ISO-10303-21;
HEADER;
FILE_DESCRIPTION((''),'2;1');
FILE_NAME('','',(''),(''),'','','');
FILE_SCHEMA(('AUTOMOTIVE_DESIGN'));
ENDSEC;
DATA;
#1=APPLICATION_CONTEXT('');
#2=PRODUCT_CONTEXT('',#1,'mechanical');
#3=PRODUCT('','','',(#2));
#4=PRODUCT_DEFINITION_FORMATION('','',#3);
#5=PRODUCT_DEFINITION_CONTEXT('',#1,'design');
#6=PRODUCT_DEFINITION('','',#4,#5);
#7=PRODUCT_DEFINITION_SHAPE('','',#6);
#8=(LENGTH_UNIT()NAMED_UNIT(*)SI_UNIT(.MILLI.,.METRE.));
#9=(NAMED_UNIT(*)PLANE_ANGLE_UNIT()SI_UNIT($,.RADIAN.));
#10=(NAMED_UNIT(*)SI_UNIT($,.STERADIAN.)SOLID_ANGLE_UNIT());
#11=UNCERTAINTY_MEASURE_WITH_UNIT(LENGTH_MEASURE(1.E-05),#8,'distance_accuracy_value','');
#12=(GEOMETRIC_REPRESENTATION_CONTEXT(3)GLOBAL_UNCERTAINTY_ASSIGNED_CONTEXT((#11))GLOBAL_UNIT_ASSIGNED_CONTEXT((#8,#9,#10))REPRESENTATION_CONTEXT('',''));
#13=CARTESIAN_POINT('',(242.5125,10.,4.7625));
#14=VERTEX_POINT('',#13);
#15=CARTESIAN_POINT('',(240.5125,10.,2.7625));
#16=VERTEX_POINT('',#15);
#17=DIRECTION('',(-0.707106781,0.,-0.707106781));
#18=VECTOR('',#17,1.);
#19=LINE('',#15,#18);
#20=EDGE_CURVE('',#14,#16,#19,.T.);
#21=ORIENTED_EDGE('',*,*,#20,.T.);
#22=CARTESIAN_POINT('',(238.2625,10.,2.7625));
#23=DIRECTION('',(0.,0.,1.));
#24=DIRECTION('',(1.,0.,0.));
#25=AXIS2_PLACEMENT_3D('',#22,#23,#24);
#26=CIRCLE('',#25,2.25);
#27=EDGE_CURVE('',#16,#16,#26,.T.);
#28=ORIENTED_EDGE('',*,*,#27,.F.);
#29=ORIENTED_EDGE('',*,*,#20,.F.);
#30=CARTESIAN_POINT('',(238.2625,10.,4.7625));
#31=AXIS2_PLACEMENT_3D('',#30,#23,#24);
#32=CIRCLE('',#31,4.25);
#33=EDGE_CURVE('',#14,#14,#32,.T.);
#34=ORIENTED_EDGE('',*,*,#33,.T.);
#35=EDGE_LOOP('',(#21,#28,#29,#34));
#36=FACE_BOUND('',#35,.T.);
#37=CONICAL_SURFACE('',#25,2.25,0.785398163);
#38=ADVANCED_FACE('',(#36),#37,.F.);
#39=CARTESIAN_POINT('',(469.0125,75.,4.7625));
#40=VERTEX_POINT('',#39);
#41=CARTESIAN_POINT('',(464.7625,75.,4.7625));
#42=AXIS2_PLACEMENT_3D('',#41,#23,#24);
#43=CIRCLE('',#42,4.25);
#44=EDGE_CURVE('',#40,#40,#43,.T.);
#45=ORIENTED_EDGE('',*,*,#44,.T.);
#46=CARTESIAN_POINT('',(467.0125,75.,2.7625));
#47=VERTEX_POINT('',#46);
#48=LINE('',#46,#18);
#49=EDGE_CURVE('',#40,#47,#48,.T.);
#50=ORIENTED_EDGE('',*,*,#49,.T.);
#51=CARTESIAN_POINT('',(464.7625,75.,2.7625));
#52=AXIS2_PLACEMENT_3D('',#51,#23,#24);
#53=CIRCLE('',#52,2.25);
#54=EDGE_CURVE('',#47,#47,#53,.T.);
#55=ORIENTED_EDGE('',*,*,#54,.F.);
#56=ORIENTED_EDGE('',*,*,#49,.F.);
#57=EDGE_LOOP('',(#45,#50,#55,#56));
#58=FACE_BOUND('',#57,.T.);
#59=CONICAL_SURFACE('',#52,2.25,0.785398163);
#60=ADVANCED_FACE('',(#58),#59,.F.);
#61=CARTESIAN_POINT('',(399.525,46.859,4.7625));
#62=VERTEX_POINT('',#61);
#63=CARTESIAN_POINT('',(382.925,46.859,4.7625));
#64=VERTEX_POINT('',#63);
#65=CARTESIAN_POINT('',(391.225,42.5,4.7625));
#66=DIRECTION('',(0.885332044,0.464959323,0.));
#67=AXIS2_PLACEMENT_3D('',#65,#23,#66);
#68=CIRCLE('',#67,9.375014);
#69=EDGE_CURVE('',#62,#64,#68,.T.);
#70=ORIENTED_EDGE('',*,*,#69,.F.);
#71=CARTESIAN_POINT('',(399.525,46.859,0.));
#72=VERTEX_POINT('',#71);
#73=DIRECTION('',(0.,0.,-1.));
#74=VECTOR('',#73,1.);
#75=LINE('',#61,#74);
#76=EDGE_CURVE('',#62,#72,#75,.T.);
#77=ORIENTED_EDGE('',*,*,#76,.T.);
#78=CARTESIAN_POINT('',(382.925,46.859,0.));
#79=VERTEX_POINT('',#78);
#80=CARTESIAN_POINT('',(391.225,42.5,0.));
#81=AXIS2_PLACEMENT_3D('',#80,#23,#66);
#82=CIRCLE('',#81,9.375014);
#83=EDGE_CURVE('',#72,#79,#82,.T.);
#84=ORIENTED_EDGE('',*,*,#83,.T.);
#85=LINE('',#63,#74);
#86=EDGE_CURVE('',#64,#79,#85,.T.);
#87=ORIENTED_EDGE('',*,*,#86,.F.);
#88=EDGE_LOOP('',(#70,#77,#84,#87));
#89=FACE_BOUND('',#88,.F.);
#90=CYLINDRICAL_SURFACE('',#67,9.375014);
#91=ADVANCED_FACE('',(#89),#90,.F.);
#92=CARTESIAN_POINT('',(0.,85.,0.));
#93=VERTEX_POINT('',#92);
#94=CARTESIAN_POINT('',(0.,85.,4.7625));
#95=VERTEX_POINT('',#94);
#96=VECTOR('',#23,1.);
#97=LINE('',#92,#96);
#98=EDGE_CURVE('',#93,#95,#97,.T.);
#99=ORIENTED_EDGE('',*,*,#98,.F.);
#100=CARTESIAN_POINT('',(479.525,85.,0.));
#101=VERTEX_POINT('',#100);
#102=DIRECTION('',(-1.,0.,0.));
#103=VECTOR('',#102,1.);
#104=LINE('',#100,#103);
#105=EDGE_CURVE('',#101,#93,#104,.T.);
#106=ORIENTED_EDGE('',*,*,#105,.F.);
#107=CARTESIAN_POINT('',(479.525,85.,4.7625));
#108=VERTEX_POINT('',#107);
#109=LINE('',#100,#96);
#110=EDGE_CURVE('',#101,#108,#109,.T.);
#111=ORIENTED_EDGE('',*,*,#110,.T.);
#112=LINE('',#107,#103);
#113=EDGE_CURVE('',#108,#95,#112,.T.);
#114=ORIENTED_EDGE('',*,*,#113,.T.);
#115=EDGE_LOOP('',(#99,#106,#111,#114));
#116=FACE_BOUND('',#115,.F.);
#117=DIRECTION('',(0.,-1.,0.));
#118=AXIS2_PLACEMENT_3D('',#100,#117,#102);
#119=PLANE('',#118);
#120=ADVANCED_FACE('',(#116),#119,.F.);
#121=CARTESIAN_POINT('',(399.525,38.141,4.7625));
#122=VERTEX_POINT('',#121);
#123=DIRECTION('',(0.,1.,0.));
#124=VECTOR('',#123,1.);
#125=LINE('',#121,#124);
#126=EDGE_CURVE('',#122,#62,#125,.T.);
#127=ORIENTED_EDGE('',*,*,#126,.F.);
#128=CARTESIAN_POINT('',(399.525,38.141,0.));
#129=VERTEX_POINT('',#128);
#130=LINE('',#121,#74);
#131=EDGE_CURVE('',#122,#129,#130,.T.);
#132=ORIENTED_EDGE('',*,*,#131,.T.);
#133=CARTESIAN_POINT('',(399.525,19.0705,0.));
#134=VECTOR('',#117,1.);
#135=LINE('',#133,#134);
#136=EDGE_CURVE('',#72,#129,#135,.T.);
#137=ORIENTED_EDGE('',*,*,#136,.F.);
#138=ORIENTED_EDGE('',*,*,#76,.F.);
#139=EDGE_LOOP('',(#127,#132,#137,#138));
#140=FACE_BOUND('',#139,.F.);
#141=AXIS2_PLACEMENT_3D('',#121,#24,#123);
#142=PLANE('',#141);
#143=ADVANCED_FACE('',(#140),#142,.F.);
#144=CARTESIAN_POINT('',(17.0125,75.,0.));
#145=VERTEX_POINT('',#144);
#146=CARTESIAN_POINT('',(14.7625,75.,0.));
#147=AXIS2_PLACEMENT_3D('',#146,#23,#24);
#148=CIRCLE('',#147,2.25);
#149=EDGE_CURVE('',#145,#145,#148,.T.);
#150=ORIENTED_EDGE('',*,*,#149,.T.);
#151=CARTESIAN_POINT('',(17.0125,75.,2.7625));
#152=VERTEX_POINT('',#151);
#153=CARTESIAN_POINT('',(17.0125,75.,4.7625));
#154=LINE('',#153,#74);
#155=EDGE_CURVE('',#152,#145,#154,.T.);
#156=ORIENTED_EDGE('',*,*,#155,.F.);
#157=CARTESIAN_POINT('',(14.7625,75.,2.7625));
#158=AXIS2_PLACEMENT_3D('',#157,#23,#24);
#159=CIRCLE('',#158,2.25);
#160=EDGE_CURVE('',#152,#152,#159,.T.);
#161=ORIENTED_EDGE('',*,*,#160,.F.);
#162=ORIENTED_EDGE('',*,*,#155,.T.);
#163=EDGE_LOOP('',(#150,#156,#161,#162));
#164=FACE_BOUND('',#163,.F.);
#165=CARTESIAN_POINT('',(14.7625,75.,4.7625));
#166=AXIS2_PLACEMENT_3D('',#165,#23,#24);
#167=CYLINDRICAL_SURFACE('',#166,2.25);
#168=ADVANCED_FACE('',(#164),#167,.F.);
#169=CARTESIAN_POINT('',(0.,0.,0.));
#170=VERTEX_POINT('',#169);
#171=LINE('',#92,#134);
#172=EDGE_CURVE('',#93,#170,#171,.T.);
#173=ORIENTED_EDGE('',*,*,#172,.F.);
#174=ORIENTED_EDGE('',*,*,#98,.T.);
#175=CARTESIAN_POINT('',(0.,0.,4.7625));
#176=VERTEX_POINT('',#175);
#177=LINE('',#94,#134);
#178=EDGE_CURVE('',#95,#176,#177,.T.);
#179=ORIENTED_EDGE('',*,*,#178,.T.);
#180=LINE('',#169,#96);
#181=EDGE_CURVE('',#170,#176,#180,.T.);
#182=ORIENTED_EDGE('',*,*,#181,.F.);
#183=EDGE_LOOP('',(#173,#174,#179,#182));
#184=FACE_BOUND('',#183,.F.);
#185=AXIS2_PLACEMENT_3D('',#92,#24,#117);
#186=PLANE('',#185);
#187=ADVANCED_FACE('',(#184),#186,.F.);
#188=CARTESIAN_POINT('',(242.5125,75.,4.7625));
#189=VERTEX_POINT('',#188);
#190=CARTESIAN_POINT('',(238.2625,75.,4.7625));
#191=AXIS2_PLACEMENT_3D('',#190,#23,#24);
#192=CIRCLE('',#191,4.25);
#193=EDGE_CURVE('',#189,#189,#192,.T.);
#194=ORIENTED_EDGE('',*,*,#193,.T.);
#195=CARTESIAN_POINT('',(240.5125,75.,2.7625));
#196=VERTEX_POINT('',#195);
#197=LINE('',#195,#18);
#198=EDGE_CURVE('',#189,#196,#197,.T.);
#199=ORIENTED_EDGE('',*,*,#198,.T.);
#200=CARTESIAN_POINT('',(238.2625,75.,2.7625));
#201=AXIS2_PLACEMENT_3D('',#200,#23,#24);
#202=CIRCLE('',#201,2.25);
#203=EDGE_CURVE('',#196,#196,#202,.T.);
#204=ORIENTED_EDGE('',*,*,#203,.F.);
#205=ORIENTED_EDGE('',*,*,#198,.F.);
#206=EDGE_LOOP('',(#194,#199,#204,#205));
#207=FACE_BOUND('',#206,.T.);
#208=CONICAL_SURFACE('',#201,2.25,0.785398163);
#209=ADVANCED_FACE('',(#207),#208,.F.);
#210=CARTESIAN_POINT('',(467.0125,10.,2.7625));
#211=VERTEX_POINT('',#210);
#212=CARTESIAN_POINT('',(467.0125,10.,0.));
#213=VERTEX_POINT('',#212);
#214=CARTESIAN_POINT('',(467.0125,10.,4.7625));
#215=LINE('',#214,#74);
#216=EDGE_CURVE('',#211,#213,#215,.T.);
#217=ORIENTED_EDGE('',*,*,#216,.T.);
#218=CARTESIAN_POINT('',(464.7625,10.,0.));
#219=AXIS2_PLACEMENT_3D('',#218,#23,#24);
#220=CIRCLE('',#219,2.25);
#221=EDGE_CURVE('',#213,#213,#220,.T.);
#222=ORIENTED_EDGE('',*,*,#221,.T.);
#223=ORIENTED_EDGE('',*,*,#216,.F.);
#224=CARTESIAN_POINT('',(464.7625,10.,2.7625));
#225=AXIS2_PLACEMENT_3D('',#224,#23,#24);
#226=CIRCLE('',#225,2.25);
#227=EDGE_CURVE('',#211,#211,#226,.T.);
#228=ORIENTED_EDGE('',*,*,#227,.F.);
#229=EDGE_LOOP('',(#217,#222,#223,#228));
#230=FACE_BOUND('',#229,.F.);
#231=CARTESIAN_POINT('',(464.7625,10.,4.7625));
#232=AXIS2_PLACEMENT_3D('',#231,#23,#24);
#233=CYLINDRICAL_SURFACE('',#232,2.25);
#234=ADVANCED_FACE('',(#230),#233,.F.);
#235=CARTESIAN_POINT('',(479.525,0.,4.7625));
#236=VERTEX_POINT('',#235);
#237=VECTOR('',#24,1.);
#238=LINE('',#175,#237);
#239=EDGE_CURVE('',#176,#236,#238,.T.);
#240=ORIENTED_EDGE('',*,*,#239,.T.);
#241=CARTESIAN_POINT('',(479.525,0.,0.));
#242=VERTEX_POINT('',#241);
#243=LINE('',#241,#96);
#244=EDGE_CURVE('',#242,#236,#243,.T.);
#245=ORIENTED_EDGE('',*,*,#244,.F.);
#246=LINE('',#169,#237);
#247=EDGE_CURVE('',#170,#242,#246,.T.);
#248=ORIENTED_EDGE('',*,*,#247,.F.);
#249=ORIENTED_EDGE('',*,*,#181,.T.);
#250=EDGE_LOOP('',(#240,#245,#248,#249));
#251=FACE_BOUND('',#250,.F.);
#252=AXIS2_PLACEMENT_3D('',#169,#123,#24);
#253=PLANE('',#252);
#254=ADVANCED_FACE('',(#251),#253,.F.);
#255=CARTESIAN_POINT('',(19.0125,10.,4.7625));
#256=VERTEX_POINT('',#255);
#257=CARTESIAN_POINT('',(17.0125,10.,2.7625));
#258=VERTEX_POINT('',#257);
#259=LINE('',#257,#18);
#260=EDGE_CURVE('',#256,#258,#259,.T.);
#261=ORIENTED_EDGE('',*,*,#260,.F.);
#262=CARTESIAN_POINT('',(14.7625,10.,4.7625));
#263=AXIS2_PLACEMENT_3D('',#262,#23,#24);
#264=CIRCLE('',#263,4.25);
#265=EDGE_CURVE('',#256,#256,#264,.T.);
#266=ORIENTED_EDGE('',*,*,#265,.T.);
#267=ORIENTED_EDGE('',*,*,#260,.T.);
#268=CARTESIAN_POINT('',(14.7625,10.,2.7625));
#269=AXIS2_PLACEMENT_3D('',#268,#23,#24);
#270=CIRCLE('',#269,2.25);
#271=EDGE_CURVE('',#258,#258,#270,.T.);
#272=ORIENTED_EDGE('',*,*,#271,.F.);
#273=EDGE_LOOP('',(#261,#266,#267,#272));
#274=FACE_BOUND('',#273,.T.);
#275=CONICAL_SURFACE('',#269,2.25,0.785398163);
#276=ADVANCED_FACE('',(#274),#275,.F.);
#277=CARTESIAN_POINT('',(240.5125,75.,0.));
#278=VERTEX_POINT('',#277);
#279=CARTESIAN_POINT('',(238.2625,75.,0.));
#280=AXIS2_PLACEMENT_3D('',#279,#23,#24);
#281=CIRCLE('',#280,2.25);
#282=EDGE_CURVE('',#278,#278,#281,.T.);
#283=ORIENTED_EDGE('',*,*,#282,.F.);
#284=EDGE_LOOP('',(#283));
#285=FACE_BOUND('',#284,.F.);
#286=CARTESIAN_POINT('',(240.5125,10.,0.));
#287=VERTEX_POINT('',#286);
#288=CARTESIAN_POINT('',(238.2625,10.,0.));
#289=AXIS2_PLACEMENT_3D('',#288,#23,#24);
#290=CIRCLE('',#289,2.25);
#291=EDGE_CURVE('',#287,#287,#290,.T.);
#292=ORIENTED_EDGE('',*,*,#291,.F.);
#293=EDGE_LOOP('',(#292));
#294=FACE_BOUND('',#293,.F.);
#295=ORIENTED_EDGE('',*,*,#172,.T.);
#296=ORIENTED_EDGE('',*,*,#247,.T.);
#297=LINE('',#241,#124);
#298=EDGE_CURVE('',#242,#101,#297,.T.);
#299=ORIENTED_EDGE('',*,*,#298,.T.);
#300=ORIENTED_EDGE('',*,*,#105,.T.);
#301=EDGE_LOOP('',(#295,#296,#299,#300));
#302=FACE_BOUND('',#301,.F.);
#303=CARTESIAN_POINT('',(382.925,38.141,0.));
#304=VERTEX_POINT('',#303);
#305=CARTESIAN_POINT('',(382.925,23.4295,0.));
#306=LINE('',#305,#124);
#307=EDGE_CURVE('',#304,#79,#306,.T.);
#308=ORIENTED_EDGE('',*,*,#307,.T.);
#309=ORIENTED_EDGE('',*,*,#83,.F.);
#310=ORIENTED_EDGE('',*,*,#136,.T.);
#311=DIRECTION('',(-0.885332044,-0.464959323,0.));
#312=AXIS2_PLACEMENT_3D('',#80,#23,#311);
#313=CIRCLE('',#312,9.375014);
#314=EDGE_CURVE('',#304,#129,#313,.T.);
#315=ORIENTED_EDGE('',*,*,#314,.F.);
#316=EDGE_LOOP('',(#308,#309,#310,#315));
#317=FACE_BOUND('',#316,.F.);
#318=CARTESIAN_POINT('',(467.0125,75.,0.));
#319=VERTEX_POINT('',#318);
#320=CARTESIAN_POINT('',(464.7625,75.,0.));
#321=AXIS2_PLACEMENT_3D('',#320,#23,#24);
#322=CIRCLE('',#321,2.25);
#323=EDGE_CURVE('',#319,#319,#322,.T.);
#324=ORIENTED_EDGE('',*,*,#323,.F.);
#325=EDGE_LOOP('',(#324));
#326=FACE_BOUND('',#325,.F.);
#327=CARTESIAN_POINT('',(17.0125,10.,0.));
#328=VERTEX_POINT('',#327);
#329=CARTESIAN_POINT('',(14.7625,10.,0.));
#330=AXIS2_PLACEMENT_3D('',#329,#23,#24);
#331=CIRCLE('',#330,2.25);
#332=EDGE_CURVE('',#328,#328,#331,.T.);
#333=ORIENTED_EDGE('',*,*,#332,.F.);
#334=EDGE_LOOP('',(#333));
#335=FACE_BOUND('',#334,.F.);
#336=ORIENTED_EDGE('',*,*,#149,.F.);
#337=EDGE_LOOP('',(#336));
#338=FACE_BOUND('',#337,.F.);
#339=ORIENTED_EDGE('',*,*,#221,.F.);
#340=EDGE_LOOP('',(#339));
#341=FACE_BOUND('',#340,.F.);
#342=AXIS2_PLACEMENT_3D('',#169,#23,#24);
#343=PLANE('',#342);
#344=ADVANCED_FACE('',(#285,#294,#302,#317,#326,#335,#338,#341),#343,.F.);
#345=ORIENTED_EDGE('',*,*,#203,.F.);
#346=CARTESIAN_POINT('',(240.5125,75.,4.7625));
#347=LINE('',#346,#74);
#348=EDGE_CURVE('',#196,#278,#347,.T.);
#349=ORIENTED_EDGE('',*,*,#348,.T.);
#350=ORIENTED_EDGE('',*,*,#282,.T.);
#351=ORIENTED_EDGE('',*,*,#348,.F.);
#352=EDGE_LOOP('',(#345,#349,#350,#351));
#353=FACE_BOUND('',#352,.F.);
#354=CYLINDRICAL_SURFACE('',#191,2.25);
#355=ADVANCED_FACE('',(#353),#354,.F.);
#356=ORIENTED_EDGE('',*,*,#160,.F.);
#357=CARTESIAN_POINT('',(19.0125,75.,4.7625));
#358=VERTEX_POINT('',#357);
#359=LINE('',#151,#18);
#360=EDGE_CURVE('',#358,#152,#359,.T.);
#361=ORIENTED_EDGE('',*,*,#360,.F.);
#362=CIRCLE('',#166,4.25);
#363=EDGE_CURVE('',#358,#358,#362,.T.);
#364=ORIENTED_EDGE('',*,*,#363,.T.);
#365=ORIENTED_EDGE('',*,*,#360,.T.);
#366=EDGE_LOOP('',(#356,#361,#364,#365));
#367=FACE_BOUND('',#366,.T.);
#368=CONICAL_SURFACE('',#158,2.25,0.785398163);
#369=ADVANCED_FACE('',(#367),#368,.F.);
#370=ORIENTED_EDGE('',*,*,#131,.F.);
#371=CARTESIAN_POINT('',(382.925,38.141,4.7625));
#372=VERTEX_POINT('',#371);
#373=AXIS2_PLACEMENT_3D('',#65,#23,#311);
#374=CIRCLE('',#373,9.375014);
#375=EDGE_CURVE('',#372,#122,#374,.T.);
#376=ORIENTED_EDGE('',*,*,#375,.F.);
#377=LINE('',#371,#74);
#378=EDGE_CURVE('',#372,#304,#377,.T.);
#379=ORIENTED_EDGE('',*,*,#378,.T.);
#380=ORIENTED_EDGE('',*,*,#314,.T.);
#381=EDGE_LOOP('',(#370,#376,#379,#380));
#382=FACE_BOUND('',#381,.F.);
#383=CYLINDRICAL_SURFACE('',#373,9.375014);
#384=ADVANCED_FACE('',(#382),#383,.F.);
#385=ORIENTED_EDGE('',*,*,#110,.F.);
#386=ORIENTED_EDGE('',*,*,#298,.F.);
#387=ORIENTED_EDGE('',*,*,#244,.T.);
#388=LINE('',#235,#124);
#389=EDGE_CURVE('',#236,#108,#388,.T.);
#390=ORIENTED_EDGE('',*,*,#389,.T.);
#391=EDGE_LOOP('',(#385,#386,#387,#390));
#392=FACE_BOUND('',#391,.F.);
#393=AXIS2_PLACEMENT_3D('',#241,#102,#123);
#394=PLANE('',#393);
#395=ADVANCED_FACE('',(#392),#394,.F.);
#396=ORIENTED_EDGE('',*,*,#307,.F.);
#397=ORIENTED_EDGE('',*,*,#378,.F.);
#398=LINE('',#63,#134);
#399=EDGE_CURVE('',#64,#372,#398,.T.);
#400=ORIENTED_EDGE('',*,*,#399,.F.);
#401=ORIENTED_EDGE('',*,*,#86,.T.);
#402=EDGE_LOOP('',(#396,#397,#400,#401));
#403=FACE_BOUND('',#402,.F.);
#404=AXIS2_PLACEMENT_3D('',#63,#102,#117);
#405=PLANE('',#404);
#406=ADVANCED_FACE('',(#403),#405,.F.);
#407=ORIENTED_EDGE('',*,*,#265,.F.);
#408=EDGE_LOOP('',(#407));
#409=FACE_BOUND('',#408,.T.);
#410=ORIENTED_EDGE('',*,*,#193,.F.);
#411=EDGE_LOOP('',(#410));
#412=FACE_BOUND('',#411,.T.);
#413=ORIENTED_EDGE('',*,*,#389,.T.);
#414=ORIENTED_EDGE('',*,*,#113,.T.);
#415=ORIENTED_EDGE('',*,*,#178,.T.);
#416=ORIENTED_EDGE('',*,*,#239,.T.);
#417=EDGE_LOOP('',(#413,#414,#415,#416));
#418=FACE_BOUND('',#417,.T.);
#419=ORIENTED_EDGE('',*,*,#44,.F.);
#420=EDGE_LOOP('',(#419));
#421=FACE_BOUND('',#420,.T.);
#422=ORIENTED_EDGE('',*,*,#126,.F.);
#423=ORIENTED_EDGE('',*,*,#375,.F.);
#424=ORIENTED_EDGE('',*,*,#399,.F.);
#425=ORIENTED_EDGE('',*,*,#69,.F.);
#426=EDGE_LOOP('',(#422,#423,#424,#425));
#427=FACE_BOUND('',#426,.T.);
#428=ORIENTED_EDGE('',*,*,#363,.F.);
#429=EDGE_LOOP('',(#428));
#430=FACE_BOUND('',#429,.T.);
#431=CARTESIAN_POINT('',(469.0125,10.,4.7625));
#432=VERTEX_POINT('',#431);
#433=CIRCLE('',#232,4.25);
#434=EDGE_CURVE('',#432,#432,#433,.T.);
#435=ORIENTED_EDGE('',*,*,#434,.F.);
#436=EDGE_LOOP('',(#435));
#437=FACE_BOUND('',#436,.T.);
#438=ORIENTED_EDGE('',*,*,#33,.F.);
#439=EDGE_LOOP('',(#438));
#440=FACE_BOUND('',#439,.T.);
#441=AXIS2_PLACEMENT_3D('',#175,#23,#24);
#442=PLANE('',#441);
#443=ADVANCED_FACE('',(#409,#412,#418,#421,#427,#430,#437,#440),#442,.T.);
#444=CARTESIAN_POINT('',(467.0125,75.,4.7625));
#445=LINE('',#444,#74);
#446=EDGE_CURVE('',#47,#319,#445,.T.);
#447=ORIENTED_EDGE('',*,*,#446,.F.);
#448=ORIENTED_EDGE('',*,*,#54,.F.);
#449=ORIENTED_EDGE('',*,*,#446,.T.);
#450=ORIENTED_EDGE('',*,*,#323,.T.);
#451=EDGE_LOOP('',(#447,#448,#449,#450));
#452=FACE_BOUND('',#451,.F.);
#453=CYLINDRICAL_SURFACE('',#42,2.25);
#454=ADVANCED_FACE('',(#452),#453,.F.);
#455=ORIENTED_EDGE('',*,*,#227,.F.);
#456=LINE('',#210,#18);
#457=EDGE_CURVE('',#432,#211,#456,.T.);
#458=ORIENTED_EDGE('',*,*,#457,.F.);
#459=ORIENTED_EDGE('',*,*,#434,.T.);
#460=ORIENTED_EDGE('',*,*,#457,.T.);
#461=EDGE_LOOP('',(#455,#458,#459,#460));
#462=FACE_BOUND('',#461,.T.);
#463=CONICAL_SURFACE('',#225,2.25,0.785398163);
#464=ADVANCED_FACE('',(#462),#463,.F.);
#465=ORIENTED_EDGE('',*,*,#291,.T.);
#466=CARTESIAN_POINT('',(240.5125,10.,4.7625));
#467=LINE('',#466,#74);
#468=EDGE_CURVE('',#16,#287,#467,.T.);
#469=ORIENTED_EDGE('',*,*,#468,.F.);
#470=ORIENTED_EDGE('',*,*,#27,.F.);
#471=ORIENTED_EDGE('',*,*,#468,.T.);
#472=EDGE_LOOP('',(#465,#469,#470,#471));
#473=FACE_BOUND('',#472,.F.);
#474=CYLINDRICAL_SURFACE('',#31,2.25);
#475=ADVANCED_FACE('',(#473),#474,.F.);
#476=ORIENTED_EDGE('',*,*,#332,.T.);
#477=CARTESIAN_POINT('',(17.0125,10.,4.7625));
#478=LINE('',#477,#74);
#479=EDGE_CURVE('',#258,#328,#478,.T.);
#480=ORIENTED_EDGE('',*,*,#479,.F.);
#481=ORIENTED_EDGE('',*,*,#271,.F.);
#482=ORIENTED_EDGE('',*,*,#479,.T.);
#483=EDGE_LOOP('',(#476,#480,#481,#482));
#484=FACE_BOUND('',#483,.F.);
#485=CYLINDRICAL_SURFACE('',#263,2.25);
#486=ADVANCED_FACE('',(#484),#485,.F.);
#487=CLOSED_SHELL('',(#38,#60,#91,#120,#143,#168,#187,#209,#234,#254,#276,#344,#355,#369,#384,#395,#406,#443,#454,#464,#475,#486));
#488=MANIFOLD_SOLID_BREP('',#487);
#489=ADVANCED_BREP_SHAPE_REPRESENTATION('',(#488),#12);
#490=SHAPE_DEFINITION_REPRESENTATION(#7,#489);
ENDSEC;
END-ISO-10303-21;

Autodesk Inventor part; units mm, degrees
ref_plane "YZ Plane" through (0, 0, 0) normal (1, 0, 0) x (0, 1, 0)
ref_plane "XZ Plane" through (0, 0, 0) normal (0, 1, 0) x (-1, 0, 0)
ref_plane "XY Plane" through (0, 0, 0) normal (0, 0, 1) x (1, 0, 0)
sketch "Sketch1" plane through (0, 0, 0) normal (0, 0, 1) x (1, 0, 0)
  line L0 (0, 0) -> (479.525, 0)
  line L1 (479.525, 0) -> (479.525, 85)
  line L2 (479.525, 85) -> (0, 85)
  line L3 (0, 85) -> (0, 0)
  dimension "d0" = 479.525
  dimension "d1" = 85
extrude "Extrusion1" add sketch "Sketch1" along normal blind 4.7625
sketch "Sketch2" plane through (0, 0, 4.7625) normal (0, 0, 1) x (1, 0, 0)
  line L0 (0, 0) -> (479.525, 0) projected
  line L1 (382.925, 46.859) -> (382.925, 38.141)
  line L2 (399.525, 38.141) -> (399.525, 46.859)
  arc A0 (382.925, 38.141) -> (399.525, 38.141) centre (391.225, 42.5) ccw
  arc A1 (399.525, 46.859) -> (382.925, 46.859) centre (391.225, 42.5) ccw
  line L3 (479.525, 0) -> (479.525, 85) projected
  dimension "d5" = 16.6
  dimension "d6" = 9.375
  dimension "d7" = 9.375
  dimension "d8" = 42.5
  dimension "d23" = 80
extrude "Extrusion2" cut sketch "Sketch2" against normal up to next
sketch "Sketch3" plane through (0, 0, 4.7625) normal (0, 0, 1) x (1, 0, 0)
  line L0 (0, 0) -> (479.525, 0) projected
  line L1 (479.525, 0) -> (479.525, 85) projected
  line L2 (479.525, 85) -> (0, 85) projected
  line L3 (0, 85) -> (0, 0) projected
  circle A0 centre (14.7625, 75) radius 2.25
  circle A1 centre (14.7625, 10) radius 2.25
  circle A2 centre (464.7625, 75) radius 2.25
  circle A3 centre (464.7625, 10) radius 2.25
  circle A4 centre (238.2625, 10) radius 2.25
  circle A5 centre (238.2625, 75) radius 2.25
  dimension "d12" = 4.5
  dimension "d13" = 14.7625
  dimension "d14" = 14.7625
  dimension "d15" = 10
  dimension "d16" = 10
  dimension "d17" = 241.2625
extrude "Extrusion3" cut sketch "Sketch3" against normal up to next contours A0 | A1 | A2 | A3 | A4 | A5
chamfer "Chamfer1" distance 2 angle 45 6 edges at (236.0125, 75, 4.7625) (236.0125, 10, 4.7625) (462.5125, 10, 4.7625) (462.5125, 75, 4.7625) (12.5125, 75, 4.7625) (12.5125, 10, 4.7625)
properties part number "EnclosurePanelBottomFront" material "ABS Plastic"
